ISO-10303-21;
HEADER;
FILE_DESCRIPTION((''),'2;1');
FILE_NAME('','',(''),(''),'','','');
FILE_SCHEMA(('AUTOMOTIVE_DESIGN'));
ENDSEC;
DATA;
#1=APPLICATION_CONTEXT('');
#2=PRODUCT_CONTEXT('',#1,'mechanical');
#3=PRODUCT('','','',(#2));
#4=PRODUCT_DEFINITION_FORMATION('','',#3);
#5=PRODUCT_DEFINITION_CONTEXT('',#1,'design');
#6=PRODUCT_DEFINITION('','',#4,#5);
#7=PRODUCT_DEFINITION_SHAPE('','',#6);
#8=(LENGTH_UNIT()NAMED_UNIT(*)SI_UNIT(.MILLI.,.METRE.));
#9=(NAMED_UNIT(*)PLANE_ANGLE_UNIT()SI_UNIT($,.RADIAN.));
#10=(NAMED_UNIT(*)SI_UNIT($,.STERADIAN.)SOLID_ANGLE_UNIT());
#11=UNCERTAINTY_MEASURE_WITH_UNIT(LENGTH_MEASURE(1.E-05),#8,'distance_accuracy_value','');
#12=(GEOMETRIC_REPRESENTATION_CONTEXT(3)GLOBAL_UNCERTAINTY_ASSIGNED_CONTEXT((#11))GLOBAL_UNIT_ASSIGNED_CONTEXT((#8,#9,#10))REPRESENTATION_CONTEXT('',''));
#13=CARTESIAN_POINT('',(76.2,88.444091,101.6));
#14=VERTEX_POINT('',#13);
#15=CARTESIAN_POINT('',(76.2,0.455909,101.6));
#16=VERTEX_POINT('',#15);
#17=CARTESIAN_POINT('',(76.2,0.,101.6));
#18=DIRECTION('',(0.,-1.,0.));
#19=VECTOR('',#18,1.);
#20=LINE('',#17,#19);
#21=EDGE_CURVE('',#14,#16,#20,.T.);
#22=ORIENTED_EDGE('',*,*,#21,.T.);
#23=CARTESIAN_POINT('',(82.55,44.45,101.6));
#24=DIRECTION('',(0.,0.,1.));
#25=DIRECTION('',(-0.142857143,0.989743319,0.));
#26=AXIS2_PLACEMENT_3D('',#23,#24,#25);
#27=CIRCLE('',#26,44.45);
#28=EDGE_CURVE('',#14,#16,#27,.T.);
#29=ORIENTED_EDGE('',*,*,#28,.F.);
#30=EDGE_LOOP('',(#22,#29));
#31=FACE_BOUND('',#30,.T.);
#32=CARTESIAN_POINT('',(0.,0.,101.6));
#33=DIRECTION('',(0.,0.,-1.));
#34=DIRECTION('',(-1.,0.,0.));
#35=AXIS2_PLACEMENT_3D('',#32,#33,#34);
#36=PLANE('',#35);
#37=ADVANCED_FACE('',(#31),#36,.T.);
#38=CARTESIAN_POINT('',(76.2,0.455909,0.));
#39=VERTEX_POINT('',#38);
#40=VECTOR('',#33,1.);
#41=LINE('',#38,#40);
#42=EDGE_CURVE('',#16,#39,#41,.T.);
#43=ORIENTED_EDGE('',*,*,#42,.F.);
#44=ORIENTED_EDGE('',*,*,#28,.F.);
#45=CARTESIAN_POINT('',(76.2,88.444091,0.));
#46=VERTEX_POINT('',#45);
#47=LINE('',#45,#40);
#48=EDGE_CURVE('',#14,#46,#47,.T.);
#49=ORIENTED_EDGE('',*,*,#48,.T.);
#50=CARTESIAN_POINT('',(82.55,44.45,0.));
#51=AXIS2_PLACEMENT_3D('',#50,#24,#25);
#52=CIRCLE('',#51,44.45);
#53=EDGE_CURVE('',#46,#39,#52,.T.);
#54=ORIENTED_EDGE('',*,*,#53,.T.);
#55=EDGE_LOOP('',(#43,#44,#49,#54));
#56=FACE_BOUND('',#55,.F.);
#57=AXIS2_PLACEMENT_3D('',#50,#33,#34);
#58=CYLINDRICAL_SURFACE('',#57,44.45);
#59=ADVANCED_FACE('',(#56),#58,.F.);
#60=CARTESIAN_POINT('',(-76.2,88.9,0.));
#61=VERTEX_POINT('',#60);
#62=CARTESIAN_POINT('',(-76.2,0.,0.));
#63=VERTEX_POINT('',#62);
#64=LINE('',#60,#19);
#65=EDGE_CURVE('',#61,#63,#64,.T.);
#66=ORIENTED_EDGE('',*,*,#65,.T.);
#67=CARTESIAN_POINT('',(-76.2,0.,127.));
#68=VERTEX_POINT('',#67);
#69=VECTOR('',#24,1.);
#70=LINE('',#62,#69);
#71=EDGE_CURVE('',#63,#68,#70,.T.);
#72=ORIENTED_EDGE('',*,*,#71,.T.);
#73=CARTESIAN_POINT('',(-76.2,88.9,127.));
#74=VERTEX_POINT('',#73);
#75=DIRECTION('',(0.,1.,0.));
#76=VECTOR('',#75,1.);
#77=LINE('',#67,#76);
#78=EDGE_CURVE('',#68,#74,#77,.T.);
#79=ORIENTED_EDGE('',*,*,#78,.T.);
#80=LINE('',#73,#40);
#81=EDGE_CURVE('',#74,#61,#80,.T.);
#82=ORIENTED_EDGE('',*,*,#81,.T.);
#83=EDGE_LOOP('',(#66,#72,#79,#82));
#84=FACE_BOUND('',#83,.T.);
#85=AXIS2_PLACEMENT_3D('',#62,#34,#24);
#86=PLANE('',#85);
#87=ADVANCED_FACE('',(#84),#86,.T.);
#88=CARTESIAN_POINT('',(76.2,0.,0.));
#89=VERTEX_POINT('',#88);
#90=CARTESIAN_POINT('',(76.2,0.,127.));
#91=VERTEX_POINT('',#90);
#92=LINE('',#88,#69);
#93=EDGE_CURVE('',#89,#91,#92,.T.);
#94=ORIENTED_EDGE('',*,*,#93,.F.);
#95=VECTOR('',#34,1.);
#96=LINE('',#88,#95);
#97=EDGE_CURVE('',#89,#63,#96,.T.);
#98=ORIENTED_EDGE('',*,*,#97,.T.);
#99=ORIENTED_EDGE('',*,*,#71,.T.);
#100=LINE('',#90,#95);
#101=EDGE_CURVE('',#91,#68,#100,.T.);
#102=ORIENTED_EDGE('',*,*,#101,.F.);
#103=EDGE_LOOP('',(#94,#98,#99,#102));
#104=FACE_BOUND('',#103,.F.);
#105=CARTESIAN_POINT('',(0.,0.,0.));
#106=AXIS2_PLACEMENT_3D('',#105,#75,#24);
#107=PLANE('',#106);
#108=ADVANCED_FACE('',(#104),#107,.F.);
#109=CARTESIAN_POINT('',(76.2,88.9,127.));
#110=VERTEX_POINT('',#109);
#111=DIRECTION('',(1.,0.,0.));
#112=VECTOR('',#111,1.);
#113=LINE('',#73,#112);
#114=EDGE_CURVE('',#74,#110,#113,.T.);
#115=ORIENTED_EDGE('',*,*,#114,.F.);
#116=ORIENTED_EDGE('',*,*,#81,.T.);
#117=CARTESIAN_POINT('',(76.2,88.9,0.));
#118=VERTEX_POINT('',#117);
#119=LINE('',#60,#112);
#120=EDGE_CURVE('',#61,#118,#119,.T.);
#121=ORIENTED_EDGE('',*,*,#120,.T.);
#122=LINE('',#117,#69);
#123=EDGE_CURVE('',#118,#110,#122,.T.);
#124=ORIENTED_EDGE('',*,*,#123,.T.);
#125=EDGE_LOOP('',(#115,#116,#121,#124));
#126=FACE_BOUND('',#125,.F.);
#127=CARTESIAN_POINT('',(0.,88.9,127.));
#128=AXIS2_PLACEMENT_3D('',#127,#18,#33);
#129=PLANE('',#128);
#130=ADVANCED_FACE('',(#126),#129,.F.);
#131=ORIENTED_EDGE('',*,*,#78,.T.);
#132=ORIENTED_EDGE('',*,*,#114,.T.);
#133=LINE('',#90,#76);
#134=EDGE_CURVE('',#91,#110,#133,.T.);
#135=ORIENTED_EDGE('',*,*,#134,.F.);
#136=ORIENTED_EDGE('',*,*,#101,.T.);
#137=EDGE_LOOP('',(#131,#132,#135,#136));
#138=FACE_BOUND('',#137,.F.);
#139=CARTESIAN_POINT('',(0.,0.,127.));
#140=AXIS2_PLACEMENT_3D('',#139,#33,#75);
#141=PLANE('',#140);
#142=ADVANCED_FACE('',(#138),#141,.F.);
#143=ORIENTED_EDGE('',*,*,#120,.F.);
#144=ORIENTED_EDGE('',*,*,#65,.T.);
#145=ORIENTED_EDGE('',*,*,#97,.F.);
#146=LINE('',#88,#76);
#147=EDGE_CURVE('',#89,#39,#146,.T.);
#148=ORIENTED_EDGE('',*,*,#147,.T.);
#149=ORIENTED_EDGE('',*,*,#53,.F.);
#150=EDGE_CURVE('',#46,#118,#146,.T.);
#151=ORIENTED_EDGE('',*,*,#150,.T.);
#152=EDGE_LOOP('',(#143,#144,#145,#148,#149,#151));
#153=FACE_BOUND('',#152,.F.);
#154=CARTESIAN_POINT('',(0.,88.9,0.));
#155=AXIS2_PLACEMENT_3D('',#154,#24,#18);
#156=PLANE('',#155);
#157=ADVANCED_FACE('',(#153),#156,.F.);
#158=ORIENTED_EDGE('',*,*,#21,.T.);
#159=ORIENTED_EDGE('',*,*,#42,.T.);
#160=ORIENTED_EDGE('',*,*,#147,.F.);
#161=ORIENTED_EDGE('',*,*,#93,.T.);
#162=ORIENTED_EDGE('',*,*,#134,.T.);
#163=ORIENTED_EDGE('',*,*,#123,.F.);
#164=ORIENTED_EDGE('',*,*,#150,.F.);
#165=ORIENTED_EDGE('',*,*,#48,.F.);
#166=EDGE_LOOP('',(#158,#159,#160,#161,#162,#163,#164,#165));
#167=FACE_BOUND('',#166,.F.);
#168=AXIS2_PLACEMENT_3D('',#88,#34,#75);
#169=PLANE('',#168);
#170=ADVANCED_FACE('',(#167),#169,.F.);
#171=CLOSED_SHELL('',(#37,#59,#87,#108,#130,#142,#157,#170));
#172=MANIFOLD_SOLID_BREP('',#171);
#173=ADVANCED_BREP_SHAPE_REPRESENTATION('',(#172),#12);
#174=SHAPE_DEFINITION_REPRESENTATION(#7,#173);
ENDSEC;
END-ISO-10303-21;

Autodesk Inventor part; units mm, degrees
ref_plane "YZ Plane" through (0, 0, 0) normal (1, 0, 0) x (0, 1, 0)
ref_plane "XZ Plane" through (0, 0, 0) normal (0, 1, 0) x (-1, 0, 0)
ref_plane "XY Plane" through (0, 0, 0) normal (0, 0, 1) x (1, 0, 0)
sketch "Sketch1" plane through (0, 0, 0) normal (0, 0, 1) x (1, 0, 0)
  line L0 (0, 0) -> (76.2, 0)
  line L1 (76.2, 0) -> (76.2, 88.9)
  line L2 (76.2, 88.9) -> (0, 88.9)
  line L3 (0, 88.9) -> (0, 0)
  dimension "d0" = 76.2
  dimension "d1" = 88.9
extrude "Extrusion1" add sketch "Sketch1" along normal blind 127
sketch "Sketch3" plane through (0, 0, 0) normal (0, 0, -1) x (-1, 0, 0)
  circle A0 centre (-82.55, 44.45) radius 44.45
  dimension "d4" = 88.9
extrude "Extrusion2" cut sketch "Sketch3" against normal blind 101.6
sketch "Sketch4" plane through (0, 0, 0) normal (-1, 0, 0) x (0, 0, 1)
  line L0 (0, 0) -> (127, 0)
  line L1 (127, 0) -> (127, 88.9)
  line L2 (127, 88.9) -> (0, 88.9)
  line L3 (0, 88.9) -> (0, 0)
extrude "Extrusion3" add sketch "Sketch4" along normal blind 76.2
sketch "Sketch5" plane through (76.2, 0, 0) normal (0, -1, 0) x (1, 0, 0)
  line L0 (-152.4, 0) -> (0, 0) projected
  line L1 (0, 0) -> (0, 127) projected
  line L2 (0, 127) -> (-152.4, 127) projected
  line L3 (-152.4, 0) -> (-152.4, 127) projected
  line L4 (0, 63.5) -> (-88.9, 63.5)
  point P0 (-76.2, 0)
  dimension "d9" = 88.9
sketch "Sketch6" plane through (76.2, 88.9, 127) normal (0, 1, 0) x (1, 0, 0)
  line L0 (0, 127) -> (-152.4, 127) projected
  line L1 (-152.4, 0) -> (-152.4, 127) projected
  line L2 (0, 0) -> (-152.4, 0) projected
  line L3 (0, 127) -> (0, 0) projected
  line L4 (0, 127) -> (0, 63.5)
  line L5 (0, 63.5) -> (-88.9, 63.5)
  point P0 (-76.2, 127)
  dimension "d10" = 63.5
  dimension "d11" = 88.9
properties part number "Holder"
